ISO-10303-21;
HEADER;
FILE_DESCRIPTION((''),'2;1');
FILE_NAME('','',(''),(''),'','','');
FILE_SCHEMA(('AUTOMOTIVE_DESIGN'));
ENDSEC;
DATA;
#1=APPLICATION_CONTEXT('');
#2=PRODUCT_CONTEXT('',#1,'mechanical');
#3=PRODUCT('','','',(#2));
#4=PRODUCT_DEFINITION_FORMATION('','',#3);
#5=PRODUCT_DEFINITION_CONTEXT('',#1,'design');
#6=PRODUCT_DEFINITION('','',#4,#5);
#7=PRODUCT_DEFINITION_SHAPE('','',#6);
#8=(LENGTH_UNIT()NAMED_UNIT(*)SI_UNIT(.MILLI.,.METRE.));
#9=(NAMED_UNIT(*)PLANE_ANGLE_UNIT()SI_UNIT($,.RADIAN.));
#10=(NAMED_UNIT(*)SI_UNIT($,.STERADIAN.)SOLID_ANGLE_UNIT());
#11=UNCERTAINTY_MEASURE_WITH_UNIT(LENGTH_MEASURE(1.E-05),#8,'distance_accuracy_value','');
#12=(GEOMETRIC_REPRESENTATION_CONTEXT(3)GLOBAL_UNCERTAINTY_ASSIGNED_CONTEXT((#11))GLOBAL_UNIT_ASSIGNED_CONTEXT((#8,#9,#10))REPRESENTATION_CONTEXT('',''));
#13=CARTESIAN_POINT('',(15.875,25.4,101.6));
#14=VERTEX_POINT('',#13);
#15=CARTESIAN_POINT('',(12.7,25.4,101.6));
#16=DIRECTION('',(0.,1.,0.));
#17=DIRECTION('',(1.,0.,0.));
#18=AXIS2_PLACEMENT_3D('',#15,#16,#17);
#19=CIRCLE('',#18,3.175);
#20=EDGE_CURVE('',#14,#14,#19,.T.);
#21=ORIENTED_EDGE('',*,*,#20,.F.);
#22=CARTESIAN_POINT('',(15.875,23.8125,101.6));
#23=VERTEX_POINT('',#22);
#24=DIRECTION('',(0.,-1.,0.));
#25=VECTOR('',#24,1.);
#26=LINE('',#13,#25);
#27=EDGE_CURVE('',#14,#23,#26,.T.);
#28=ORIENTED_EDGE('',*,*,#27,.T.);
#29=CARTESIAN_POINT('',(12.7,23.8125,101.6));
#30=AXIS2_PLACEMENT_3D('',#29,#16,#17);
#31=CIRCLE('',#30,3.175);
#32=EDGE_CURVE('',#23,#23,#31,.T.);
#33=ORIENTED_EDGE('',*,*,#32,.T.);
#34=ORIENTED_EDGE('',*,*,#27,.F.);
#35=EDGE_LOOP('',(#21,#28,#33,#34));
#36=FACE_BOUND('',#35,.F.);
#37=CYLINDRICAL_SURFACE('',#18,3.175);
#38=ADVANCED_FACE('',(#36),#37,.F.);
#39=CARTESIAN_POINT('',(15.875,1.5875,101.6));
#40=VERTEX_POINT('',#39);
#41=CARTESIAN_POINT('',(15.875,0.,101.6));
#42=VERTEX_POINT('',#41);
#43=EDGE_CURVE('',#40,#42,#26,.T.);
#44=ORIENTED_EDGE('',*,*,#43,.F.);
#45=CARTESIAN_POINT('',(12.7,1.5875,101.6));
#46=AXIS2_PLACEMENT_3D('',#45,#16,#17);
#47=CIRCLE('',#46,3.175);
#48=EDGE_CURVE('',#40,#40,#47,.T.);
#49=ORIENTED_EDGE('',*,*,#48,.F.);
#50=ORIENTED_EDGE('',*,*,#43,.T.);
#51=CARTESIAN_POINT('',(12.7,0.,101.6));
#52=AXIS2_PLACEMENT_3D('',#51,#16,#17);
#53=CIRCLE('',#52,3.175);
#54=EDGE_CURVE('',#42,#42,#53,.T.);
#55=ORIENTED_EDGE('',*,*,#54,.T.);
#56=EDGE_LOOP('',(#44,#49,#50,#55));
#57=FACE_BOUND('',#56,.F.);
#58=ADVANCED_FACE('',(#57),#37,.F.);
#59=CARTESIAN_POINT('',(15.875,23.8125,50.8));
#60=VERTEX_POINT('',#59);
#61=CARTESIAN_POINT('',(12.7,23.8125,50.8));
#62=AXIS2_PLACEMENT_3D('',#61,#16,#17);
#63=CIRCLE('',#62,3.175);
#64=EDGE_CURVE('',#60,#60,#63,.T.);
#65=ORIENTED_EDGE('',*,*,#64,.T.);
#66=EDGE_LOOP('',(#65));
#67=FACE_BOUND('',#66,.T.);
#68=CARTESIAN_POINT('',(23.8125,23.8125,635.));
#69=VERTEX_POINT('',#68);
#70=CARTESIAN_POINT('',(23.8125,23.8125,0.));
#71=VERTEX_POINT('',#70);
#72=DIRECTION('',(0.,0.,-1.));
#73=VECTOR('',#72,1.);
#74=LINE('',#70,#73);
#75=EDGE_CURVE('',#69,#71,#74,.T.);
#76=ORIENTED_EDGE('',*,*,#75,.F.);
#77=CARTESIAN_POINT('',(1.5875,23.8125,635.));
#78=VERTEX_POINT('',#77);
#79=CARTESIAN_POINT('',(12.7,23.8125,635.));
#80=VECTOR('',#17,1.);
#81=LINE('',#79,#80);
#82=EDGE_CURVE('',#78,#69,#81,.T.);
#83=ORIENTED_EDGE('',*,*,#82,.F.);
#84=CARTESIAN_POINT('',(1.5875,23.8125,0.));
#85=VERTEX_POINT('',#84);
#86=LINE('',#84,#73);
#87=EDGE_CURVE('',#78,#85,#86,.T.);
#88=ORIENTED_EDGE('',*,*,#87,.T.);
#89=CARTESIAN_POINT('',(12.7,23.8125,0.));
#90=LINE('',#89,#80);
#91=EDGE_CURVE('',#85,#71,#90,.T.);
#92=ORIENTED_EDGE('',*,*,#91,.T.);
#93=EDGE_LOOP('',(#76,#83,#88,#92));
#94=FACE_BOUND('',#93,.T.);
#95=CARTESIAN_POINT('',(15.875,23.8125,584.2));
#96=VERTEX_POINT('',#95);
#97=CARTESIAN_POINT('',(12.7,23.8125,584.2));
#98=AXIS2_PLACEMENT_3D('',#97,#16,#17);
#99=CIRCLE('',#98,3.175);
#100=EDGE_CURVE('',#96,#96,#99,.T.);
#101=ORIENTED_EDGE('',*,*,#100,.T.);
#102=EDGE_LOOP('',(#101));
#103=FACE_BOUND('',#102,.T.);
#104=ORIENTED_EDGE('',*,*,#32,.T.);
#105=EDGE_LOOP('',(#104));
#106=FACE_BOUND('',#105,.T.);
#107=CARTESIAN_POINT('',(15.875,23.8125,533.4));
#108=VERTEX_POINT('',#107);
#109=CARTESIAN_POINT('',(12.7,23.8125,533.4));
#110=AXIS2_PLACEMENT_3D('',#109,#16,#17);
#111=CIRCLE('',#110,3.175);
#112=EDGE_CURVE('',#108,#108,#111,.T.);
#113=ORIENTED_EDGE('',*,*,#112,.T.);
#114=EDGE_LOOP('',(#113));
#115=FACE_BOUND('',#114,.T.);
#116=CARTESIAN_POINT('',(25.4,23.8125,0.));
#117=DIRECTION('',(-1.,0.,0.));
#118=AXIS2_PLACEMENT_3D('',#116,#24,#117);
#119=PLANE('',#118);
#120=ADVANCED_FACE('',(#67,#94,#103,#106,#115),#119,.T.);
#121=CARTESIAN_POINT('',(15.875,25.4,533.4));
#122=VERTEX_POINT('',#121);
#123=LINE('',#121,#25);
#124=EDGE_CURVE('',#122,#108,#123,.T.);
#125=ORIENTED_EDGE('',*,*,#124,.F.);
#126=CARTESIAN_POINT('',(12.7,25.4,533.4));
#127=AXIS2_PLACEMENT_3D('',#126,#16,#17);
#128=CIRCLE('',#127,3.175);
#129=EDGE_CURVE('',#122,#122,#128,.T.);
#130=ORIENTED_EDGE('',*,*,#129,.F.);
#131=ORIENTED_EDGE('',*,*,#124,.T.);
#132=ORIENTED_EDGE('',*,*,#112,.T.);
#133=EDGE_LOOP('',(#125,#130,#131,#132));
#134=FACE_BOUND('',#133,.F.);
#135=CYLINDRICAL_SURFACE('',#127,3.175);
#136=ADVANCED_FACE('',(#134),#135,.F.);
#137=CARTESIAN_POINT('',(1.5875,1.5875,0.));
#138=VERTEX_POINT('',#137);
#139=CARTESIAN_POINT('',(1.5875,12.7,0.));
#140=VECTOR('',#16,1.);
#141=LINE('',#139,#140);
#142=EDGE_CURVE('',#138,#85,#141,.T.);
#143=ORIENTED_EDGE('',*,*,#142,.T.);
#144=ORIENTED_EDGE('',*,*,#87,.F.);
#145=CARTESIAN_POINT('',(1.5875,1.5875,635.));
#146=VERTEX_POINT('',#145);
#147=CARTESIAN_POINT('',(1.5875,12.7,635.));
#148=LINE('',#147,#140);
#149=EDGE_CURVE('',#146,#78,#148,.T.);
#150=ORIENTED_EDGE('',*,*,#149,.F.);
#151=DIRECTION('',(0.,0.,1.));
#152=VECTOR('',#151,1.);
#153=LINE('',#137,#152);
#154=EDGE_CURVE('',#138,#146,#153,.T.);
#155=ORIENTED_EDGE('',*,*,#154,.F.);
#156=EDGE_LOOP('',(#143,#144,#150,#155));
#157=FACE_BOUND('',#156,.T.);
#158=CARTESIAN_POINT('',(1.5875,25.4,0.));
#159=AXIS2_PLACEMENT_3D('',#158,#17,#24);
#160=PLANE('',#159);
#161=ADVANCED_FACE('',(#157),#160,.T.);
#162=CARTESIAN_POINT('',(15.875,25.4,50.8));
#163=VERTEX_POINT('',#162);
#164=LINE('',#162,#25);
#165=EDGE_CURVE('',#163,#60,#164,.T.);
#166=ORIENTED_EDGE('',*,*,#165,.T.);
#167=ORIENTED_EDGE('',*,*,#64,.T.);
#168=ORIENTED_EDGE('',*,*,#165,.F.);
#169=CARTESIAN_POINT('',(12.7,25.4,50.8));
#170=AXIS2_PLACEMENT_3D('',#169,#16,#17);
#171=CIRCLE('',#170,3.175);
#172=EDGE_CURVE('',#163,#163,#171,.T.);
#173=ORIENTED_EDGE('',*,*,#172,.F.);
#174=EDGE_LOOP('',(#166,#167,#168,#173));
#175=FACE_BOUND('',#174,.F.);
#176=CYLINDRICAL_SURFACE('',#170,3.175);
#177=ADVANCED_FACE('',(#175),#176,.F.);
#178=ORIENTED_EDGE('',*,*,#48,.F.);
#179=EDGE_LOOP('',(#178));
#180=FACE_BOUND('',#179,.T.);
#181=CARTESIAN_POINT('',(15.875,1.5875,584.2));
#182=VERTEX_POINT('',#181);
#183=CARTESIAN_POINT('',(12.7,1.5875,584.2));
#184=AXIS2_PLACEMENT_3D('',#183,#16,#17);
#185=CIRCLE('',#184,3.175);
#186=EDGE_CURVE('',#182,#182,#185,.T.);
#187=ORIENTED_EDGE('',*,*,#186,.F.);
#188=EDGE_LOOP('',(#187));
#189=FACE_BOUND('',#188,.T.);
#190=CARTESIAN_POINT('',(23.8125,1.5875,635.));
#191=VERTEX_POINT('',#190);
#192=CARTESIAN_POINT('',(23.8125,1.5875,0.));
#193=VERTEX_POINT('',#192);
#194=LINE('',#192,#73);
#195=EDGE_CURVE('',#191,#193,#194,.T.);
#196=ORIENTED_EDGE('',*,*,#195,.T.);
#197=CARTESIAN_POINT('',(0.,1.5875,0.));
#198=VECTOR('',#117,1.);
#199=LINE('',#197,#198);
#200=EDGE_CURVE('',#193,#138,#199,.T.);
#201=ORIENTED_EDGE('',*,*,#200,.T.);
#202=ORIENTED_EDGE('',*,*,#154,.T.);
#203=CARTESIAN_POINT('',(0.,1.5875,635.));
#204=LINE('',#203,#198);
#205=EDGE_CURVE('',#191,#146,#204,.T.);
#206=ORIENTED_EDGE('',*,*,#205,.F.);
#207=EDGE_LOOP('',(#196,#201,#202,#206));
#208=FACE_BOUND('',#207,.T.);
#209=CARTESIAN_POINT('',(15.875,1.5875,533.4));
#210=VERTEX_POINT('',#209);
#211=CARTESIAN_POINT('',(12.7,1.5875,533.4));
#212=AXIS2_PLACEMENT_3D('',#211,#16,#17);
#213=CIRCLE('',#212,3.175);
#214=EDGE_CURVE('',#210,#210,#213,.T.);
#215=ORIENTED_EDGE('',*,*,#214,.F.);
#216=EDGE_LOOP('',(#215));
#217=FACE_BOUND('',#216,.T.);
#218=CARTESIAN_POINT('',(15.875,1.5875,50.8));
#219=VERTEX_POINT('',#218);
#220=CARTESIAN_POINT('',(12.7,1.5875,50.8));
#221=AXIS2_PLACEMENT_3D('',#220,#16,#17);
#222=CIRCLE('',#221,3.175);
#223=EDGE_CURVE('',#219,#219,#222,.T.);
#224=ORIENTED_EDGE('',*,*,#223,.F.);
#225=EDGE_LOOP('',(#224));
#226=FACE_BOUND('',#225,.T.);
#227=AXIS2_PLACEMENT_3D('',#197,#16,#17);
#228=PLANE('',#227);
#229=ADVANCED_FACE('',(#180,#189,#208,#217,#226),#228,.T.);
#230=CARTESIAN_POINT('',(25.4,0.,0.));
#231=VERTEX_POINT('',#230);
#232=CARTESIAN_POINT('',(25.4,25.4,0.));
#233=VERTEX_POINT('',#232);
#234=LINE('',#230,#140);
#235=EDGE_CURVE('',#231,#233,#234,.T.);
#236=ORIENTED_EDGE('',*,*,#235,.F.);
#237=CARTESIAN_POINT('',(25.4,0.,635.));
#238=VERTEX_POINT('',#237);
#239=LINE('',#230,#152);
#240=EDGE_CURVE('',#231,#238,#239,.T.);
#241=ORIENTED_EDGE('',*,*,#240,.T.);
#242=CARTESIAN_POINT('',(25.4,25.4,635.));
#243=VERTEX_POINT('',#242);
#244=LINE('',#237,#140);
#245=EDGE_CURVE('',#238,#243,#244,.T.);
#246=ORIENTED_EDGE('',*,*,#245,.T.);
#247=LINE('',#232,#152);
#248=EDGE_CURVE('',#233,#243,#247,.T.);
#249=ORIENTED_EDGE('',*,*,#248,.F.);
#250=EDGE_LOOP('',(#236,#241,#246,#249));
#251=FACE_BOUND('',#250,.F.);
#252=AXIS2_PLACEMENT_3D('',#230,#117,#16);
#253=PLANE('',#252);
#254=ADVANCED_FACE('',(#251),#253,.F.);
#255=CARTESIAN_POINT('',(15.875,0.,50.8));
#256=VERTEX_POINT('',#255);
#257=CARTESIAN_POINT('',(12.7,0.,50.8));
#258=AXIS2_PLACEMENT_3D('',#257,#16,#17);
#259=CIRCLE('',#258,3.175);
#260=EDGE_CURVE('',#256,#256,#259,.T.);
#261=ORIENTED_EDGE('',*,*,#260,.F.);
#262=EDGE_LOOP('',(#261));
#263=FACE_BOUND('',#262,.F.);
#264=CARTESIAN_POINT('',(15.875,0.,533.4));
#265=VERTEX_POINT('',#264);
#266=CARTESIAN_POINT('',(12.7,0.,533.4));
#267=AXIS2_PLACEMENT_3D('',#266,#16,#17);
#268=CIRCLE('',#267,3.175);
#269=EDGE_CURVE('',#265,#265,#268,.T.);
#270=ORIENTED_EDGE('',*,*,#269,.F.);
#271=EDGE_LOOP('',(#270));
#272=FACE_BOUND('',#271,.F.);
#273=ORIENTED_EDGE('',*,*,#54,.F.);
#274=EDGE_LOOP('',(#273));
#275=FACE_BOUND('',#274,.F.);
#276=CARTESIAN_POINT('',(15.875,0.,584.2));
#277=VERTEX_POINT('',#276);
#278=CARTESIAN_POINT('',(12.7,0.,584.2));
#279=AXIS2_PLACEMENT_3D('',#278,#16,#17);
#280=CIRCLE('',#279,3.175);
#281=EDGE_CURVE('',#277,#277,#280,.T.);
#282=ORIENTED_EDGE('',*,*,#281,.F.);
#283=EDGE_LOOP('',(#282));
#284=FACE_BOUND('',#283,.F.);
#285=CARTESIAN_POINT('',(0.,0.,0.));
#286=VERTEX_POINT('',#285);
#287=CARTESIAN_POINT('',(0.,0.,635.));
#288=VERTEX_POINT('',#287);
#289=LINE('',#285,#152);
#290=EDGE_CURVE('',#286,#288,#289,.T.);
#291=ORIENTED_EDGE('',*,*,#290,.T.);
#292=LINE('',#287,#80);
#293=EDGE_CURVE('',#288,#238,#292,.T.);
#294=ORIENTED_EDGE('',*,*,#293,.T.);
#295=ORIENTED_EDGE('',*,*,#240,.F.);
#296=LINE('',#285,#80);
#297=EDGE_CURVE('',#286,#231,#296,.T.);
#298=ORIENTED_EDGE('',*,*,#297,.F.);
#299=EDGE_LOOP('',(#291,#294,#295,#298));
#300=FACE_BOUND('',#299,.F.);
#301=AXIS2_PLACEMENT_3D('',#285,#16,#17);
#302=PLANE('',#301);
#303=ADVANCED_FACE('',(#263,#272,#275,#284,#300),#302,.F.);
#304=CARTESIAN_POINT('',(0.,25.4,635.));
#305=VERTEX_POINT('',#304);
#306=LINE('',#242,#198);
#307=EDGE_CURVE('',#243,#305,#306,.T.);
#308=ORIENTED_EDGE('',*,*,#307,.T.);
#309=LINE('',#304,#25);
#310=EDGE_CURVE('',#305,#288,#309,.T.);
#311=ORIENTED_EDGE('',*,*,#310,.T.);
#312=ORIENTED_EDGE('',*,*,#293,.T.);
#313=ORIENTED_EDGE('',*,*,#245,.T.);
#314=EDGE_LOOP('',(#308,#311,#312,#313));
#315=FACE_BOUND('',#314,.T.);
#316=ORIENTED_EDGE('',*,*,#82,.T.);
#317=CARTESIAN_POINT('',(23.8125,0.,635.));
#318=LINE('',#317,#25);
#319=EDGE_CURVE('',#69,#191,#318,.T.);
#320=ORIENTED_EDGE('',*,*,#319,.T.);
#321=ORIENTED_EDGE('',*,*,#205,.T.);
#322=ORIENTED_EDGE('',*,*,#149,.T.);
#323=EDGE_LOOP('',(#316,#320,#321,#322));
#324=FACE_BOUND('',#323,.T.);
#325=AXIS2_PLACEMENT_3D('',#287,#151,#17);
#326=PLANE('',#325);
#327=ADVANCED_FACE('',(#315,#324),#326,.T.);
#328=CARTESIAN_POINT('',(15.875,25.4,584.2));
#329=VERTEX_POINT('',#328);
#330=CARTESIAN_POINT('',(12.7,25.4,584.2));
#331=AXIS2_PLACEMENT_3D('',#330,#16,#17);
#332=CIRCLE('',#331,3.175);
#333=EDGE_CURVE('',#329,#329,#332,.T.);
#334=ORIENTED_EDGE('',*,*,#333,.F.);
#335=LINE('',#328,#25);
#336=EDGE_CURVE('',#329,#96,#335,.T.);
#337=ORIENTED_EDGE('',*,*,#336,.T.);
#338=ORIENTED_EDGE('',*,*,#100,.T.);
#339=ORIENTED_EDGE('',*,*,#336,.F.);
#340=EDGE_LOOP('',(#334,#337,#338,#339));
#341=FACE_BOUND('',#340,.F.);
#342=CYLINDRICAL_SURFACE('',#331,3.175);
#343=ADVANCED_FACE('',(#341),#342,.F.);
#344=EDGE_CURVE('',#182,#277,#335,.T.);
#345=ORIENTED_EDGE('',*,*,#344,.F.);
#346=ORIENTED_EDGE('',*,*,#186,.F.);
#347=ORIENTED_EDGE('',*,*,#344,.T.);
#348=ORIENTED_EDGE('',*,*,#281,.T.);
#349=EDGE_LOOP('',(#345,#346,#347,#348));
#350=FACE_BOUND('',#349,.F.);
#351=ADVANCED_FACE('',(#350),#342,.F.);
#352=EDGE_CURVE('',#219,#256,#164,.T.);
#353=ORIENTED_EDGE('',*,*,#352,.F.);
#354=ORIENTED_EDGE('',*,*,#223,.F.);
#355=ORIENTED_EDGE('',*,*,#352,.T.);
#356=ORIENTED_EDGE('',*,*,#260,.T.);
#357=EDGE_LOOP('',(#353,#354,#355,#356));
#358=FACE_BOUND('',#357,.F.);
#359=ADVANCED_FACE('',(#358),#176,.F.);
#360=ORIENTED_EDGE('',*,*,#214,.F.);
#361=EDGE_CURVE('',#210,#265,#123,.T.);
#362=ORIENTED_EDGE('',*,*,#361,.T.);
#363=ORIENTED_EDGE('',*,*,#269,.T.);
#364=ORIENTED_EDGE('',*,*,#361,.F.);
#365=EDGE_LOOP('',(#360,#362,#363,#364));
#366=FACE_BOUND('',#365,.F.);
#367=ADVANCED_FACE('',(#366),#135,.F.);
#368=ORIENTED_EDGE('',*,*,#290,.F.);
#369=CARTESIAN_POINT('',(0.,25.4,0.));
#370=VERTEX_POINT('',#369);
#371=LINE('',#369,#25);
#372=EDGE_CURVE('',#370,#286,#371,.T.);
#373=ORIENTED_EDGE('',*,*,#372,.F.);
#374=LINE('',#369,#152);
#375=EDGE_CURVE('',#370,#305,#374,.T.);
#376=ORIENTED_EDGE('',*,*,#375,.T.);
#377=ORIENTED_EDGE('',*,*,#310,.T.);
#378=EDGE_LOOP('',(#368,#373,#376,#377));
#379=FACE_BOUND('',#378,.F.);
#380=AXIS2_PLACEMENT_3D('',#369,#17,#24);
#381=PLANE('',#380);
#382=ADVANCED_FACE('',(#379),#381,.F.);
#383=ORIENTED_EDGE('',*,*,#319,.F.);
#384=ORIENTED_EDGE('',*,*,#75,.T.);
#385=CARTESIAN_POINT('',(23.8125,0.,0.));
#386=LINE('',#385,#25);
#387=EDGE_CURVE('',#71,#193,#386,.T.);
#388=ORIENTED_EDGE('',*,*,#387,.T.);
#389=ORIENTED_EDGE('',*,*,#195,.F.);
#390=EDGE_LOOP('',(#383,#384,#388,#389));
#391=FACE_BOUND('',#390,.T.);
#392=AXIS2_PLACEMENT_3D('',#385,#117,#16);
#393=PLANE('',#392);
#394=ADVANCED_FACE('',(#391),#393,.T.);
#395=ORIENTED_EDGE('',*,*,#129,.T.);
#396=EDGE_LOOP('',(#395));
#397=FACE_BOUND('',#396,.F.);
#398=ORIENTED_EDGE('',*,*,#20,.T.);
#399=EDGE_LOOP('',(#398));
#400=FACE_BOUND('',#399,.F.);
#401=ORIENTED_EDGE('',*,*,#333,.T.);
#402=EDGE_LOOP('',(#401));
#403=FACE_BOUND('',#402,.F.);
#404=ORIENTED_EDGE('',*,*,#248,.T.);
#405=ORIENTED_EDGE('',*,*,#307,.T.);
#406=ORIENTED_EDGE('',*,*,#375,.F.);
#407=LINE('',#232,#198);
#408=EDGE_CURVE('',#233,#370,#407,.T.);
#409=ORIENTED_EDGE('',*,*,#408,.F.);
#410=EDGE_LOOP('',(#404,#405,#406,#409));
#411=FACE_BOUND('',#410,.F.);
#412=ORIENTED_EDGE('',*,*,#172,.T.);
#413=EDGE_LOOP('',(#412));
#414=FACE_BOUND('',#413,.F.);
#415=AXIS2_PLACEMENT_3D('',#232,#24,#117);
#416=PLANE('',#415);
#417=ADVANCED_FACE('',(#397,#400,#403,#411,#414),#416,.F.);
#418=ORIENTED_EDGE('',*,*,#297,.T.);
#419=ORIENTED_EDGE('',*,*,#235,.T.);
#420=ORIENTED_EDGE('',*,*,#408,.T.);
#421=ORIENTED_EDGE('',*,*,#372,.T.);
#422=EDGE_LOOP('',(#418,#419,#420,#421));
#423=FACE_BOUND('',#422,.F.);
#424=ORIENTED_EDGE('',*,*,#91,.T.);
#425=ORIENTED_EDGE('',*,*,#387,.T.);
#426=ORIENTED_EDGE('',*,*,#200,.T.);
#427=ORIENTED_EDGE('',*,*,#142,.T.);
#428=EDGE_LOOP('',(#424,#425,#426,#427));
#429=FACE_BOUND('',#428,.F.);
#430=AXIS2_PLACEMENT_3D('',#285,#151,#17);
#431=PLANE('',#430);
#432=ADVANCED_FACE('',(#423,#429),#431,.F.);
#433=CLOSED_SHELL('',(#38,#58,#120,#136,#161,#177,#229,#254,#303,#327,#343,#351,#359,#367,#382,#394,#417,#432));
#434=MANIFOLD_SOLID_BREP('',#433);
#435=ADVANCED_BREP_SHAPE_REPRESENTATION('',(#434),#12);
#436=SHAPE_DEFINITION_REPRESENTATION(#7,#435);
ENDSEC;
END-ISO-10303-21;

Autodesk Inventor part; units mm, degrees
ref_plane "YZ Plane" through (0, 0, 0) normal (1, 0, 0) x (0, 1, 0)
ref_plane "XZ Plane" through (0, 0, 0) normal (0, 1, 0) x (-1, 0, 0)
ref_plane "XY Plane" through (0, 0, 0) normal (0, 0, 1) x (1, 0, 0)
sketch "Sketch1" plane through (0, 0, 0) normal (0, 0, 1) x (1, 0, 0)
  line L0 (0, 0) -> (25.4, 0)
  line L1 (25.4, 0) -> (25.4, 25.4)
  line L2 (25.4, 25.4) -> (0, 25.4)
  line L3 (0, 25.4) -> (0, 0)
  dimension "d0" = 25.4
  dimension "d1" = 25.4
extrude "Extrusion1" add sketch "Sketch1" along normal blind 635
shell "Shell1" thickness 1.5875 removed faces 2 at (8.4667, 16.9333, 0) at (16.9333, 8.4667, 635)
sketch "Sketch2" plane through (0, 25.4, 0) normal (0, 1, 0) x (1, 0, 0)
  line L0 (0, -635) -> (25.4, -635) projected
  line L1 (25.4, 0) -> (0, 0) projected
  line L2 (0, 0) -> (0, -635) projected
  circle A0 centre (12.7, -50.8) radius 3.175
  circle A1 centre (12.7, -101.6) radius 3.175
  circle A2 centre (12.7, -533.4) radius 3.175
  circle A3 centre (12.7, -584.2) radius 3.175
  dimension "d7" = 50.8
  dimension "d8" = 50.8
  dimension "d9" = 12.7
  dimension "d10" = 12.7
  dimension "d11" = 6.35
  dimension "d12" = 6.35
  dimension "d13" = 12.7
  dimension "d14" = 12.7
  dimension "d15" = 50.8
  dimension "d16" = 50.8
  dimension "d17" = 6.35
  dimension "d18" = 6.35
extrude "Extrusion2" cut sketch "Sketch2" against normal through all
properties part number "DriveTrain_SideRail" material "Aluminum-6061"
